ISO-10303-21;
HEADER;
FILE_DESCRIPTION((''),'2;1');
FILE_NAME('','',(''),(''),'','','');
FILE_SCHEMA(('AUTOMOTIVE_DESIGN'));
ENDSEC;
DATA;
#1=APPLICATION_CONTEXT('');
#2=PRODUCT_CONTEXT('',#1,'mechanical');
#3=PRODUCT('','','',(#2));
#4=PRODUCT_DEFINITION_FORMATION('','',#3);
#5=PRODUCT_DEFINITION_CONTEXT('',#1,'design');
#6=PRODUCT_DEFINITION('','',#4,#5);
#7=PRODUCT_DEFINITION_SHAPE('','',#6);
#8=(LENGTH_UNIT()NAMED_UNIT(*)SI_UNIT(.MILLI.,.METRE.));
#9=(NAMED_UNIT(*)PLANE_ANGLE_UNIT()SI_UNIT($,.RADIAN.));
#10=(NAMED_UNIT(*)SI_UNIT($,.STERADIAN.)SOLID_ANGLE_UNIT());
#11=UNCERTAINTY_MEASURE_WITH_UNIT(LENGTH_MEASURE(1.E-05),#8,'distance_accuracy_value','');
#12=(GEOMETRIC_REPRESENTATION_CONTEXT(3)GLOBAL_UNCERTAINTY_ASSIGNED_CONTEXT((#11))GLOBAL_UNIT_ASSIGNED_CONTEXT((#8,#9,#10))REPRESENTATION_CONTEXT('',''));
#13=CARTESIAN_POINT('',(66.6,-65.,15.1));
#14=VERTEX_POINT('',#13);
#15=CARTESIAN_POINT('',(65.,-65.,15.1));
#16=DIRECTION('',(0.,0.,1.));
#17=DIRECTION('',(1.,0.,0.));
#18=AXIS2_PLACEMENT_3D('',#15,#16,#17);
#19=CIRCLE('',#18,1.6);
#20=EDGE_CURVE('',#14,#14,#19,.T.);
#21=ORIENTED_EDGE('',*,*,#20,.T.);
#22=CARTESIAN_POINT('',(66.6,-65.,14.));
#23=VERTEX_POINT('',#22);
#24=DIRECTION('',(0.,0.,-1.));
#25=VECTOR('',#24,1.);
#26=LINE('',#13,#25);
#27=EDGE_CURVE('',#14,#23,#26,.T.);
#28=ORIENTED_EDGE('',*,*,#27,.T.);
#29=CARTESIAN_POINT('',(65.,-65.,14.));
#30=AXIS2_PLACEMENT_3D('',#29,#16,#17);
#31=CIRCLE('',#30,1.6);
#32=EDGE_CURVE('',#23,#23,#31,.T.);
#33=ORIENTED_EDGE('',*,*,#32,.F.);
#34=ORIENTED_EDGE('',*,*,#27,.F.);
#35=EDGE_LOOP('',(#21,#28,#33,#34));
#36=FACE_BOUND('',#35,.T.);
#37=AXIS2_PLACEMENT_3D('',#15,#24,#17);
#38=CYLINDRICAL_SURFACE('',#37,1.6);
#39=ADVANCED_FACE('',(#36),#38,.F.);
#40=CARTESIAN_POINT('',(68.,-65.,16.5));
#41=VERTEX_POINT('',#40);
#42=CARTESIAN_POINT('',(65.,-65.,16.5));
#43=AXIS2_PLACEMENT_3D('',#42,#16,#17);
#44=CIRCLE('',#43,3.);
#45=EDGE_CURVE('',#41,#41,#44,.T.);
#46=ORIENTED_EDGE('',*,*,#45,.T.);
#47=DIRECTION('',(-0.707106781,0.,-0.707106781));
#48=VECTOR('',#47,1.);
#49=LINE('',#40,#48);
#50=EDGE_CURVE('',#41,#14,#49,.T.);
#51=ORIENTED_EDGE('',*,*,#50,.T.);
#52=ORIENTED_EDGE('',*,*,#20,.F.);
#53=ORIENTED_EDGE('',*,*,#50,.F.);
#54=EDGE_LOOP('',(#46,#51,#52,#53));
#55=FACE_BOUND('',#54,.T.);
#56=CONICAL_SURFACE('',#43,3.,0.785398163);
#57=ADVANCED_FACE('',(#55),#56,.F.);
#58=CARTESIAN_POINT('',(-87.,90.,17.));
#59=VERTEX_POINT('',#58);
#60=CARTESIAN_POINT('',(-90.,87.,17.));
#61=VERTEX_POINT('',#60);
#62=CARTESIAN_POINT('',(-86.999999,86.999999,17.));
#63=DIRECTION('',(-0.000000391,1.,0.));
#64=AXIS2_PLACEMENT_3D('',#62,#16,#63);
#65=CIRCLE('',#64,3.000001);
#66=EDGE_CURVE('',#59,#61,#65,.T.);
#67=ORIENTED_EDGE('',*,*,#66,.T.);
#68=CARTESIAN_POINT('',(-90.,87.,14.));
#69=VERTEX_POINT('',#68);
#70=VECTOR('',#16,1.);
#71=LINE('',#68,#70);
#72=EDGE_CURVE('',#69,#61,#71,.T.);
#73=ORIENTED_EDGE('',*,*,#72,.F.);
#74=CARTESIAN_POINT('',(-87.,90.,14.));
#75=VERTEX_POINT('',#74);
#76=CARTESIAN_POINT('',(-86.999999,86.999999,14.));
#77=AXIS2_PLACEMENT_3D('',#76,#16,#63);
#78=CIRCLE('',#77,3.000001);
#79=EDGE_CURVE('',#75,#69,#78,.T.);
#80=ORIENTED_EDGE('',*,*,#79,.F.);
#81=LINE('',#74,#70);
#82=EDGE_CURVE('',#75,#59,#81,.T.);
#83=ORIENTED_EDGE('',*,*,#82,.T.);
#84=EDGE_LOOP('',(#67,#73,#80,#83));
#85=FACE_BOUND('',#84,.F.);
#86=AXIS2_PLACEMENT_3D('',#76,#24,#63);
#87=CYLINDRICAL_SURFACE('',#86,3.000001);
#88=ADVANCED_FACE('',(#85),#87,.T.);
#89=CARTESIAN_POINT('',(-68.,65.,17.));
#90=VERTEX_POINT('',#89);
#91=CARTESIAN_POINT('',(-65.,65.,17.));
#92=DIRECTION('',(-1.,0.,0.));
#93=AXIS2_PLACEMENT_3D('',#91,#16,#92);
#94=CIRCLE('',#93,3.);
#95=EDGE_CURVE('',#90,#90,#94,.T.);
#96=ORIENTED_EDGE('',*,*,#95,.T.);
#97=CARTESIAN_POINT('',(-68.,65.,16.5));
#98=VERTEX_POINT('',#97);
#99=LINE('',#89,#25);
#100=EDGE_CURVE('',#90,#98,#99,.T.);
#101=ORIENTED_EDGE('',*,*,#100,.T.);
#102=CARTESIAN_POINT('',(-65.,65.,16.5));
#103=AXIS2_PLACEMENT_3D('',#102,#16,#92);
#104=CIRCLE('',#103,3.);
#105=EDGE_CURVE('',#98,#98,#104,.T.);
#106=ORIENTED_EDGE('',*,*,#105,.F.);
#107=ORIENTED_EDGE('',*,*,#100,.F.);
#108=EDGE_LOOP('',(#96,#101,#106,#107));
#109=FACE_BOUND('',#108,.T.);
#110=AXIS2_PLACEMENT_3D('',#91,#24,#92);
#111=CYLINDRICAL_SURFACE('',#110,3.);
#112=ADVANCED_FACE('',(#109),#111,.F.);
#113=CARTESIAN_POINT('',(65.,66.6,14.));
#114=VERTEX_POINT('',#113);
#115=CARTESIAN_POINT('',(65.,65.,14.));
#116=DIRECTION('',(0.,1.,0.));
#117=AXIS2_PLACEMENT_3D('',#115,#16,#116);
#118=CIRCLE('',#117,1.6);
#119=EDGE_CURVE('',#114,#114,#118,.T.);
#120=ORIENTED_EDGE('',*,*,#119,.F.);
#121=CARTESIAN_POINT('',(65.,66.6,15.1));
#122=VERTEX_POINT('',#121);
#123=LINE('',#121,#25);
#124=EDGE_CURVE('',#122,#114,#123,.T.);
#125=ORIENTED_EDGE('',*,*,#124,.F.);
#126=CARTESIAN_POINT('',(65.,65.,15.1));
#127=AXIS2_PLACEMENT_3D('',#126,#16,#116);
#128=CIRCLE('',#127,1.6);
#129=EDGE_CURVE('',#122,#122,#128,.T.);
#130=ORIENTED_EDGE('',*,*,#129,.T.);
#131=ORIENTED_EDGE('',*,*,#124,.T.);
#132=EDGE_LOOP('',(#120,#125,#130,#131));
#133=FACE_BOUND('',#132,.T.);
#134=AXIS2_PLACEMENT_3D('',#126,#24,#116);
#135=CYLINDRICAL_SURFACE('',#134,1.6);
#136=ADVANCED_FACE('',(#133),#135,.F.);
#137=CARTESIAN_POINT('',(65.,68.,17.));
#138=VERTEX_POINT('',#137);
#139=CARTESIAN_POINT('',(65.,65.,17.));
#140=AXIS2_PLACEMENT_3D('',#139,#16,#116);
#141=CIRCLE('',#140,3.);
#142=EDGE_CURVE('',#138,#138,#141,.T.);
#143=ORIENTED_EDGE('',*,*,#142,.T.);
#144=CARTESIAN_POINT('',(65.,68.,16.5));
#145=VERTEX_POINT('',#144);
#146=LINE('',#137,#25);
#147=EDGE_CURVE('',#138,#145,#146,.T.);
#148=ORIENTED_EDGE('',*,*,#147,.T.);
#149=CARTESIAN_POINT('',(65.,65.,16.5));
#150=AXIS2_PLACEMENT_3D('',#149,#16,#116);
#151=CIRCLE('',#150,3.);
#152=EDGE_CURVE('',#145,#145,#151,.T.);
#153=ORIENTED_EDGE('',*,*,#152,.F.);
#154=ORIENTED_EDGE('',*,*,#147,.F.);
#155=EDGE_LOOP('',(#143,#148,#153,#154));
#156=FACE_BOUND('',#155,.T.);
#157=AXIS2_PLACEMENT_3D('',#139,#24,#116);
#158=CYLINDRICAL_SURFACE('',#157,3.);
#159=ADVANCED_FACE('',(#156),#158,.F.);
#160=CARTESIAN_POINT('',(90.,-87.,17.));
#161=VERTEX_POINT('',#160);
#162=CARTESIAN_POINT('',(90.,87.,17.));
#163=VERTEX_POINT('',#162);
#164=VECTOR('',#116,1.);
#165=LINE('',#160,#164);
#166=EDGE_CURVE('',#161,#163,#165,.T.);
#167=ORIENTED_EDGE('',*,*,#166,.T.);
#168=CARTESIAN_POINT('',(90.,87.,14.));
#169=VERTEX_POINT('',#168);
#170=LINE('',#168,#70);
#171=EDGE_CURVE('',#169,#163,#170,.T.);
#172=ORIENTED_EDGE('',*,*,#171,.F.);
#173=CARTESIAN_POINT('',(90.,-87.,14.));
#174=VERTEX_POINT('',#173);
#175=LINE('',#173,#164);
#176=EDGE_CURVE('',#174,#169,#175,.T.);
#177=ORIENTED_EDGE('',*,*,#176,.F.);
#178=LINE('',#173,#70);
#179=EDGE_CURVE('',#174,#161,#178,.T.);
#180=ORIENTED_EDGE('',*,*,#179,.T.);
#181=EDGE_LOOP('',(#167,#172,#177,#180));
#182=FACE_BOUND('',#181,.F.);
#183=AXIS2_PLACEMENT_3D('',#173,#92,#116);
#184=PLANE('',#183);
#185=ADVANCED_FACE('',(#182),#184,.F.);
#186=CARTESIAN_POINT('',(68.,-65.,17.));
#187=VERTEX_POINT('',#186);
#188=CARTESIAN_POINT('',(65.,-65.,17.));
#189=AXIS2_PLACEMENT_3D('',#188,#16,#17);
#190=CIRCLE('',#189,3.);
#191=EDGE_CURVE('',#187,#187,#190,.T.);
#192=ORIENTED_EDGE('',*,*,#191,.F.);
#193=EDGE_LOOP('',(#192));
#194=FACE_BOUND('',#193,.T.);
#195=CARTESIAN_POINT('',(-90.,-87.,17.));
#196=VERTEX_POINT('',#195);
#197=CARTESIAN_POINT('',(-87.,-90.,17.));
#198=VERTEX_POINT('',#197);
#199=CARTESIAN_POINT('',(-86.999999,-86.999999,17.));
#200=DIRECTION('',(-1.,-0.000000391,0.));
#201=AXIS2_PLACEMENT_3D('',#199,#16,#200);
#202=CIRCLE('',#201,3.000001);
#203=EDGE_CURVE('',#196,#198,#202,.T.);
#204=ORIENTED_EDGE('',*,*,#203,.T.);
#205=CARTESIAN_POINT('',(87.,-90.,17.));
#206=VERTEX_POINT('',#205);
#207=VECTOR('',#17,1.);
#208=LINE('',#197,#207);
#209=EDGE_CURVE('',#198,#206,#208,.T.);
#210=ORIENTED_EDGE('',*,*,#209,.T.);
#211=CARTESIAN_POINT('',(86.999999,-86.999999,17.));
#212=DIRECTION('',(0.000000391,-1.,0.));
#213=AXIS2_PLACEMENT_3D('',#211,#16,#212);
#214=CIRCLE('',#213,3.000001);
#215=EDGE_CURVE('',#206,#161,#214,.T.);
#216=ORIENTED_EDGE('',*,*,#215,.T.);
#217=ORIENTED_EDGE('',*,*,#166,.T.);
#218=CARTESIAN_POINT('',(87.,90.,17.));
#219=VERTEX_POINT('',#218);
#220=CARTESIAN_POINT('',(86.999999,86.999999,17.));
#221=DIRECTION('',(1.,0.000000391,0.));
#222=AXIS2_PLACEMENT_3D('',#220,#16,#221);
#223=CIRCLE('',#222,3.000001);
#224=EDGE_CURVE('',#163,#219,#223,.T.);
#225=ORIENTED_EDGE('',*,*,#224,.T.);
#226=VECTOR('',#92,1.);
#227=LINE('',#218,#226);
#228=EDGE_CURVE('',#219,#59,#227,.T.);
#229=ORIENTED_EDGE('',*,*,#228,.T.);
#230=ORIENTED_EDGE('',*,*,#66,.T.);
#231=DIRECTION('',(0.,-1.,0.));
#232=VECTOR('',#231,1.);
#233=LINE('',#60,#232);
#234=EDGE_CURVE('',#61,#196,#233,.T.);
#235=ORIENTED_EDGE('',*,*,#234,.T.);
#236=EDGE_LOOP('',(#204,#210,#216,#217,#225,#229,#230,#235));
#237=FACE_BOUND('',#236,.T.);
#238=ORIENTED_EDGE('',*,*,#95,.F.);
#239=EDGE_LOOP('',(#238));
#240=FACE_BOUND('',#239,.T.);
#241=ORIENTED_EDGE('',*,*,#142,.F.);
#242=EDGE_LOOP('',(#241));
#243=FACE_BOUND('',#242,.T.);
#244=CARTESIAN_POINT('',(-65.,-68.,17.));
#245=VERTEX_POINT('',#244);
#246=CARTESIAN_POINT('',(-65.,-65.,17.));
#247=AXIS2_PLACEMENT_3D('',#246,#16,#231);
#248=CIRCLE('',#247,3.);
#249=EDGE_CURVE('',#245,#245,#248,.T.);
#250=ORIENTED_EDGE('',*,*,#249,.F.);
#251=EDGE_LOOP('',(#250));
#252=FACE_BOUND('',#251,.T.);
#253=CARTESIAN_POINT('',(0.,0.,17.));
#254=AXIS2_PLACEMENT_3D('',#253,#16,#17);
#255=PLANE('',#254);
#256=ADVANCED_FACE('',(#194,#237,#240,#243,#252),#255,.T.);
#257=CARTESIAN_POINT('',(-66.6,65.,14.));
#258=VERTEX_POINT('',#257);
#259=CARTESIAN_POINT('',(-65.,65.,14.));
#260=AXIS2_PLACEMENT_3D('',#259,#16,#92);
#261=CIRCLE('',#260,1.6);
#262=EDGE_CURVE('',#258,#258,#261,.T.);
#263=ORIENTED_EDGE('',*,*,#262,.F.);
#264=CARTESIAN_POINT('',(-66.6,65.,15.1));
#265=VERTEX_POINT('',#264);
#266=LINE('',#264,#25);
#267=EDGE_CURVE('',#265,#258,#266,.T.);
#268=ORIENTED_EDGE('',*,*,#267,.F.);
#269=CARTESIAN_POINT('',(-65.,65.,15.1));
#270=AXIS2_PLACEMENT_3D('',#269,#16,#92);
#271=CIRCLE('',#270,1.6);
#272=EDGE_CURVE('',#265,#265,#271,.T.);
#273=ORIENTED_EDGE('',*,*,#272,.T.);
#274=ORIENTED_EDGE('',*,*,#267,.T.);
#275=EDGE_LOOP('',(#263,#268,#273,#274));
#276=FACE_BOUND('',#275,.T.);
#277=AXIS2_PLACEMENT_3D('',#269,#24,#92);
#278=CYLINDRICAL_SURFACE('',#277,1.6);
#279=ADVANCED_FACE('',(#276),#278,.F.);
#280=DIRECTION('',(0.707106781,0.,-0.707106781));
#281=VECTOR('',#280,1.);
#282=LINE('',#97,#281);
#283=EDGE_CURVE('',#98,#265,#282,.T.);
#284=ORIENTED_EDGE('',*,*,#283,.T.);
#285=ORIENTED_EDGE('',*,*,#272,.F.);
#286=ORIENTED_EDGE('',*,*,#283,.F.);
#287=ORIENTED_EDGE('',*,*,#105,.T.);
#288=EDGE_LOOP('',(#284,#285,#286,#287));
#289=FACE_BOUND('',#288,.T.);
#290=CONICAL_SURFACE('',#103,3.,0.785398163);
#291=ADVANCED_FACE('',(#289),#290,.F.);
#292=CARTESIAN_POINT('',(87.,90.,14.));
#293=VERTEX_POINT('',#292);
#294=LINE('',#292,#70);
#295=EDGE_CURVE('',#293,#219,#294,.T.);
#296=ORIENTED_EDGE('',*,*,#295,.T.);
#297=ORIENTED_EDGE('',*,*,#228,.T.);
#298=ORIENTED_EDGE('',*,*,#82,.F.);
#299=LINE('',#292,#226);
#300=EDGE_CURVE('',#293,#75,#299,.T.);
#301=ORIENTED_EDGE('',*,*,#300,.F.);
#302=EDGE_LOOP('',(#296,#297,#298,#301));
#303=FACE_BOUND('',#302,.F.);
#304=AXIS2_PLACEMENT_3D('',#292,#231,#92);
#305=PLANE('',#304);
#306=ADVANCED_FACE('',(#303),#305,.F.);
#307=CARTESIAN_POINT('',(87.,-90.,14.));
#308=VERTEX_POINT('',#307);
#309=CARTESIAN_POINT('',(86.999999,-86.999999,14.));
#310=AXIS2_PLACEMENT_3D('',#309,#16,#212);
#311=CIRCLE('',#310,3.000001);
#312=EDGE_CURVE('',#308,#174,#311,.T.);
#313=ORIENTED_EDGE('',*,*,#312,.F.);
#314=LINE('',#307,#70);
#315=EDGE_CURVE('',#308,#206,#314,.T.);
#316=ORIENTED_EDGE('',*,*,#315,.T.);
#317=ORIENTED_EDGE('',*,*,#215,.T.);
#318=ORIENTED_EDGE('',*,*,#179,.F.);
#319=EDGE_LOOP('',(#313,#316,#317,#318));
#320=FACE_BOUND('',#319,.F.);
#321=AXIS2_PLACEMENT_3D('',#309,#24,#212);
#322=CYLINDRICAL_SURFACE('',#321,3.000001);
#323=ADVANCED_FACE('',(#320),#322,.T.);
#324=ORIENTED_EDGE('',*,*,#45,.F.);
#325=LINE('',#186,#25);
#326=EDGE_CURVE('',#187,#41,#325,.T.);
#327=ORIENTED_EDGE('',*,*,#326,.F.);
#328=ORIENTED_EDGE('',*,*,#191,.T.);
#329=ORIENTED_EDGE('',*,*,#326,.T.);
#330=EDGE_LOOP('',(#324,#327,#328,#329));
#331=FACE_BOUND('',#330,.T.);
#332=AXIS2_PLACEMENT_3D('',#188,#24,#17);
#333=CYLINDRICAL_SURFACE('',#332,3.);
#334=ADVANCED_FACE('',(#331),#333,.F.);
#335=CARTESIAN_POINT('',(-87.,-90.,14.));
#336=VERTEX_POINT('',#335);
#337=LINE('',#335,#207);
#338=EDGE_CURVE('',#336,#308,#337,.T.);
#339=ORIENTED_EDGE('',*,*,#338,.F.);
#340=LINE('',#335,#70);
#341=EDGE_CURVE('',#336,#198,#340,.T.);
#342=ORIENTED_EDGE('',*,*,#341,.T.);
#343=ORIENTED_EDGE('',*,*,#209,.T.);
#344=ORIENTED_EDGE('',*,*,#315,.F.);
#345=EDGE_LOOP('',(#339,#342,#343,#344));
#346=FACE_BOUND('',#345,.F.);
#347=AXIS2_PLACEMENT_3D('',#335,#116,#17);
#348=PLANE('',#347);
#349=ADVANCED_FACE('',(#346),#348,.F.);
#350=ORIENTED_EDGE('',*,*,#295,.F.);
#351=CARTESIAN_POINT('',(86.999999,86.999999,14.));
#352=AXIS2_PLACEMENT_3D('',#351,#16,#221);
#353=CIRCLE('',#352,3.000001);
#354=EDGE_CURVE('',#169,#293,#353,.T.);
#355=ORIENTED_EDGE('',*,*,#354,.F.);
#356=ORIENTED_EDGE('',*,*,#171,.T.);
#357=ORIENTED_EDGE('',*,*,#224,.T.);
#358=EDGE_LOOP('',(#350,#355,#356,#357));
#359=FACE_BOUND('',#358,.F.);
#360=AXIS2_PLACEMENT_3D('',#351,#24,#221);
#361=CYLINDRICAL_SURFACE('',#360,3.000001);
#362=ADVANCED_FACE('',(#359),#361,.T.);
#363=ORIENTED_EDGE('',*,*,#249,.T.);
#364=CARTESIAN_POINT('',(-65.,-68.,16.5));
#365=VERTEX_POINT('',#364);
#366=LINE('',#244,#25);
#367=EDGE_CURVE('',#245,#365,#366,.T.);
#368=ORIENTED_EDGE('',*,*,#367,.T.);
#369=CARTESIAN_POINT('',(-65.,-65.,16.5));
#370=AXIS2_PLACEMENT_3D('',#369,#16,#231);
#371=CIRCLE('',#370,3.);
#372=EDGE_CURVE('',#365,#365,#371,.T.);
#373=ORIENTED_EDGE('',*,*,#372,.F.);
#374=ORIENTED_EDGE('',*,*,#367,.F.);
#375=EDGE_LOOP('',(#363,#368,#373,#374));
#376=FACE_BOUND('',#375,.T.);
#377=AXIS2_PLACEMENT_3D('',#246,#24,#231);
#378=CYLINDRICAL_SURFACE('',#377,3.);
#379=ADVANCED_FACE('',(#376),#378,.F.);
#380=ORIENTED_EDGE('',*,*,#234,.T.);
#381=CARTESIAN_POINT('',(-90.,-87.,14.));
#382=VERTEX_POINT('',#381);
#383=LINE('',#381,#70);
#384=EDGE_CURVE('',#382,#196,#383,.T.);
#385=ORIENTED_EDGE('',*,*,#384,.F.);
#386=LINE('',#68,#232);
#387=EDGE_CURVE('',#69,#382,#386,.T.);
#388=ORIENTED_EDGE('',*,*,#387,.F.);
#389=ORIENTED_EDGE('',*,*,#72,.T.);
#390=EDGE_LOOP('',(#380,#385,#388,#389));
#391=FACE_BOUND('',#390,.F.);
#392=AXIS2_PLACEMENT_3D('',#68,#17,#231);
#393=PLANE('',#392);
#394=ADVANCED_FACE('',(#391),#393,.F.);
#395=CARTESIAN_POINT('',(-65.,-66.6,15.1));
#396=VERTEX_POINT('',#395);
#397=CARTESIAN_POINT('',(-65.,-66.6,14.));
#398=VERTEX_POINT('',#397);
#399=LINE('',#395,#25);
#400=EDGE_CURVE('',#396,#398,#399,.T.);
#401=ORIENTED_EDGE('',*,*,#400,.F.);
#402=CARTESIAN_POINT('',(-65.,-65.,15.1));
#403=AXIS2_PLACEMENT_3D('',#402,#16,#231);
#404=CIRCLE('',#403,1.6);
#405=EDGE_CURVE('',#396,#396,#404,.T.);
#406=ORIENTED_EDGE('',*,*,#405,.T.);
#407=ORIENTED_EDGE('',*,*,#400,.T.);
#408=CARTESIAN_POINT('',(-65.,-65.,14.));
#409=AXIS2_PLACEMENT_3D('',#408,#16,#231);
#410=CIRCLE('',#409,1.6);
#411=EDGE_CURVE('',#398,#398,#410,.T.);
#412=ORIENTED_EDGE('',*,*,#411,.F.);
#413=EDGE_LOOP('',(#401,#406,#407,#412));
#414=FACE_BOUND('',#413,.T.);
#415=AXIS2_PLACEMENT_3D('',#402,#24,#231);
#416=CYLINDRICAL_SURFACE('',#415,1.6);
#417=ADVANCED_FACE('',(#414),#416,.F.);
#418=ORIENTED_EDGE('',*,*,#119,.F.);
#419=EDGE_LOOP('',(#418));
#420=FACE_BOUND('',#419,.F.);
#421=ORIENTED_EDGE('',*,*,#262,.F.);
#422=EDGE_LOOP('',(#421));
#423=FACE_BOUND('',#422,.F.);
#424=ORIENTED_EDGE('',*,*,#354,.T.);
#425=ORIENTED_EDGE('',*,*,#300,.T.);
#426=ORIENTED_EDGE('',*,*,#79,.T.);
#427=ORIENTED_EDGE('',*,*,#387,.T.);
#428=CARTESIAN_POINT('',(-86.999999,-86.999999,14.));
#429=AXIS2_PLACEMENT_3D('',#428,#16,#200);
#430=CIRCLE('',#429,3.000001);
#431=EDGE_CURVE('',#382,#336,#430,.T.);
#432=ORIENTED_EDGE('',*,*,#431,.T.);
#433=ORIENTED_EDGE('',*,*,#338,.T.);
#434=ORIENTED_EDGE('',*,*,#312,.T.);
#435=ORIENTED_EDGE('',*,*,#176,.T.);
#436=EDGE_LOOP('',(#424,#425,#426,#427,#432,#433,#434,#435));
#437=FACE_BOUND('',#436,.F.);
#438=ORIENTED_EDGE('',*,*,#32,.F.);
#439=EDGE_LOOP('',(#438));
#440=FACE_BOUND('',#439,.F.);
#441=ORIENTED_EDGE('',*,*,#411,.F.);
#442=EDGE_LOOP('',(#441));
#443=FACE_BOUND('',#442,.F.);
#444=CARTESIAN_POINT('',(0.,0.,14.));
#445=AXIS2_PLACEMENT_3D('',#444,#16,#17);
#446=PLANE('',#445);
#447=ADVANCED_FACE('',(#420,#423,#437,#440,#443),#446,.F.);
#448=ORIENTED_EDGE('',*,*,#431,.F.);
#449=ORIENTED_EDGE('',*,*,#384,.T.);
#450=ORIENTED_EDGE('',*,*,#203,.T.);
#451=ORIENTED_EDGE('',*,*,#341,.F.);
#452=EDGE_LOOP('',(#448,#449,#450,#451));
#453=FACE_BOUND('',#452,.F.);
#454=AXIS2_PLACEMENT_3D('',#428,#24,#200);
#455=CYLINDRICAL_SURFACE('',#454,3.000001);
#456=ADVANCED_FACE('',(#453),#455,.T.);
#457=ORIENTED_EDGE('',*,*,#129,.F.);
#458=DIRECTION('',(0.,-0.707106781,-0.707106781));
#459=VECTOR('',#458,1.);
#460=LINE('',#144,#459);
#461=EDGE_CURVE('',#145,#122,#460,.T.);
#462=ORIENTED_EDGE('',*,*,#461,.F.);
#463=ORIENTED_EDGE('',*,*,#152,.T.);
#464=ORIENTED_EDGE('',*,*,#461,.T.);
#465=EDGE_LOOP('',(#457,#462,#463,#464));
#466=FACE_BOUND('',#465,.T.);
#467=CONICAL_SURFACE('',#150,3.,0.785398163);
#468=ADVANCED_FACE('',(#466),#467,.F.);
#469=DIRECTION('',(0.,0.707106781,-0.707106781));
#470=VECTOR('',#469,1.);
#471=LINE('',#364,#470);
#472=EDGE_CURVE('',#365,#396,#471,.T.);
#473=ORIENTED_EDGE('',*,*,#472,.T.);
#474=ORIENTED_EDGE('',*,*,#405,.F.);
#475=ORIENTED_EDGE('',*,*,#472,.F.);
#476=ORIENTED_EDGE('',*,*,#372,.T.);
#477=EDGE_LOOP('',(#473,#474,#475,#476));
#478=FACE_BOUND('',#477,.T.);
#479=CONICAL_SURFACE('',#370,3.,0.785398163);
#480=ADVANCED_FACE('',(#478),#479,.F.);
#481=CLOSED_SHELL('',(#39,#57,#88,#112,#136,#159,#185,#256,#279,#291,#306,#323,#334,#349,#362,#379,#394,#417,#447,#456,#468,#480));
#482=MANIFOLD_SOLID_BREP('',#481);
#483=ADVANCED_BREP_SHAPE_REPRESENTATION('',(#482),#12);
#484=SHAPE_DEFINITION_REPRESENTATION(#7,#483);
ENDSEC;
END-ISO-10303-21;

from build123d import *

# Parameters (mm, degrees)
PAD062_DEPTH          = 3
POLARPATTERN003_COUNT = 4


with BuildPart() as part:
    # Sketch257 → Pad062 (new body)
    with BuildSketch(Plane.XY):
        with BuildLine():
            Line((-90, 87), (-90, -87))
            ThreePointArc((-90, -87), (-89.12132, -89.12132), (-87, -90))
            Line((-87, -90), (87, -90))
            ThreePointArc((87, -90), (89.12132, -89.12132), (90, -87))
            Line((90, -87), (90, 87))
            ThreePointArc((90, 87), (89.12132, 89.12132), (87, 90))
            Line((87, 90), (-87, 90))
            ThreePointArc((-87, 90), (-89.12132, 89.12132), (-90, 87))
        make_face()
    extrude(amount=PAD062_DEPTH)

    # Sketch258 → Groove (revolve, cut)
    with BuildSketch(Plane(origin=(65, -65, 0), x_dir=(1, 0, 0), z_dir=(0, -1, 0))):
        Polygon((0, 3), (3, 3), (3, 2.5), (1.6, 1.1), (1.6, 0), (0, 0), align=None)
    groove = revolve(axis=Axis((65, -65, 0), (0, 0, 1)), mode=Mode.SUBTRACT)

    # PolarPattern003: Groove ×4 about axis
    polarpattern003_axis = Axis((0, 0, 0), (0, 0, 1))
    for i in range(1, POLARPATTERN003_COUNT):
        add(groove.rotate(polarpattern003_axis, i * 360 / POLARPATTERN003_COUNT), mode=Mode.SUBTRACT)


with BuildPart() as part_1:
    # Body127 placement: moved
    add(part.part.moved(Location((0, 0, 14))))


solid = part_1.part
